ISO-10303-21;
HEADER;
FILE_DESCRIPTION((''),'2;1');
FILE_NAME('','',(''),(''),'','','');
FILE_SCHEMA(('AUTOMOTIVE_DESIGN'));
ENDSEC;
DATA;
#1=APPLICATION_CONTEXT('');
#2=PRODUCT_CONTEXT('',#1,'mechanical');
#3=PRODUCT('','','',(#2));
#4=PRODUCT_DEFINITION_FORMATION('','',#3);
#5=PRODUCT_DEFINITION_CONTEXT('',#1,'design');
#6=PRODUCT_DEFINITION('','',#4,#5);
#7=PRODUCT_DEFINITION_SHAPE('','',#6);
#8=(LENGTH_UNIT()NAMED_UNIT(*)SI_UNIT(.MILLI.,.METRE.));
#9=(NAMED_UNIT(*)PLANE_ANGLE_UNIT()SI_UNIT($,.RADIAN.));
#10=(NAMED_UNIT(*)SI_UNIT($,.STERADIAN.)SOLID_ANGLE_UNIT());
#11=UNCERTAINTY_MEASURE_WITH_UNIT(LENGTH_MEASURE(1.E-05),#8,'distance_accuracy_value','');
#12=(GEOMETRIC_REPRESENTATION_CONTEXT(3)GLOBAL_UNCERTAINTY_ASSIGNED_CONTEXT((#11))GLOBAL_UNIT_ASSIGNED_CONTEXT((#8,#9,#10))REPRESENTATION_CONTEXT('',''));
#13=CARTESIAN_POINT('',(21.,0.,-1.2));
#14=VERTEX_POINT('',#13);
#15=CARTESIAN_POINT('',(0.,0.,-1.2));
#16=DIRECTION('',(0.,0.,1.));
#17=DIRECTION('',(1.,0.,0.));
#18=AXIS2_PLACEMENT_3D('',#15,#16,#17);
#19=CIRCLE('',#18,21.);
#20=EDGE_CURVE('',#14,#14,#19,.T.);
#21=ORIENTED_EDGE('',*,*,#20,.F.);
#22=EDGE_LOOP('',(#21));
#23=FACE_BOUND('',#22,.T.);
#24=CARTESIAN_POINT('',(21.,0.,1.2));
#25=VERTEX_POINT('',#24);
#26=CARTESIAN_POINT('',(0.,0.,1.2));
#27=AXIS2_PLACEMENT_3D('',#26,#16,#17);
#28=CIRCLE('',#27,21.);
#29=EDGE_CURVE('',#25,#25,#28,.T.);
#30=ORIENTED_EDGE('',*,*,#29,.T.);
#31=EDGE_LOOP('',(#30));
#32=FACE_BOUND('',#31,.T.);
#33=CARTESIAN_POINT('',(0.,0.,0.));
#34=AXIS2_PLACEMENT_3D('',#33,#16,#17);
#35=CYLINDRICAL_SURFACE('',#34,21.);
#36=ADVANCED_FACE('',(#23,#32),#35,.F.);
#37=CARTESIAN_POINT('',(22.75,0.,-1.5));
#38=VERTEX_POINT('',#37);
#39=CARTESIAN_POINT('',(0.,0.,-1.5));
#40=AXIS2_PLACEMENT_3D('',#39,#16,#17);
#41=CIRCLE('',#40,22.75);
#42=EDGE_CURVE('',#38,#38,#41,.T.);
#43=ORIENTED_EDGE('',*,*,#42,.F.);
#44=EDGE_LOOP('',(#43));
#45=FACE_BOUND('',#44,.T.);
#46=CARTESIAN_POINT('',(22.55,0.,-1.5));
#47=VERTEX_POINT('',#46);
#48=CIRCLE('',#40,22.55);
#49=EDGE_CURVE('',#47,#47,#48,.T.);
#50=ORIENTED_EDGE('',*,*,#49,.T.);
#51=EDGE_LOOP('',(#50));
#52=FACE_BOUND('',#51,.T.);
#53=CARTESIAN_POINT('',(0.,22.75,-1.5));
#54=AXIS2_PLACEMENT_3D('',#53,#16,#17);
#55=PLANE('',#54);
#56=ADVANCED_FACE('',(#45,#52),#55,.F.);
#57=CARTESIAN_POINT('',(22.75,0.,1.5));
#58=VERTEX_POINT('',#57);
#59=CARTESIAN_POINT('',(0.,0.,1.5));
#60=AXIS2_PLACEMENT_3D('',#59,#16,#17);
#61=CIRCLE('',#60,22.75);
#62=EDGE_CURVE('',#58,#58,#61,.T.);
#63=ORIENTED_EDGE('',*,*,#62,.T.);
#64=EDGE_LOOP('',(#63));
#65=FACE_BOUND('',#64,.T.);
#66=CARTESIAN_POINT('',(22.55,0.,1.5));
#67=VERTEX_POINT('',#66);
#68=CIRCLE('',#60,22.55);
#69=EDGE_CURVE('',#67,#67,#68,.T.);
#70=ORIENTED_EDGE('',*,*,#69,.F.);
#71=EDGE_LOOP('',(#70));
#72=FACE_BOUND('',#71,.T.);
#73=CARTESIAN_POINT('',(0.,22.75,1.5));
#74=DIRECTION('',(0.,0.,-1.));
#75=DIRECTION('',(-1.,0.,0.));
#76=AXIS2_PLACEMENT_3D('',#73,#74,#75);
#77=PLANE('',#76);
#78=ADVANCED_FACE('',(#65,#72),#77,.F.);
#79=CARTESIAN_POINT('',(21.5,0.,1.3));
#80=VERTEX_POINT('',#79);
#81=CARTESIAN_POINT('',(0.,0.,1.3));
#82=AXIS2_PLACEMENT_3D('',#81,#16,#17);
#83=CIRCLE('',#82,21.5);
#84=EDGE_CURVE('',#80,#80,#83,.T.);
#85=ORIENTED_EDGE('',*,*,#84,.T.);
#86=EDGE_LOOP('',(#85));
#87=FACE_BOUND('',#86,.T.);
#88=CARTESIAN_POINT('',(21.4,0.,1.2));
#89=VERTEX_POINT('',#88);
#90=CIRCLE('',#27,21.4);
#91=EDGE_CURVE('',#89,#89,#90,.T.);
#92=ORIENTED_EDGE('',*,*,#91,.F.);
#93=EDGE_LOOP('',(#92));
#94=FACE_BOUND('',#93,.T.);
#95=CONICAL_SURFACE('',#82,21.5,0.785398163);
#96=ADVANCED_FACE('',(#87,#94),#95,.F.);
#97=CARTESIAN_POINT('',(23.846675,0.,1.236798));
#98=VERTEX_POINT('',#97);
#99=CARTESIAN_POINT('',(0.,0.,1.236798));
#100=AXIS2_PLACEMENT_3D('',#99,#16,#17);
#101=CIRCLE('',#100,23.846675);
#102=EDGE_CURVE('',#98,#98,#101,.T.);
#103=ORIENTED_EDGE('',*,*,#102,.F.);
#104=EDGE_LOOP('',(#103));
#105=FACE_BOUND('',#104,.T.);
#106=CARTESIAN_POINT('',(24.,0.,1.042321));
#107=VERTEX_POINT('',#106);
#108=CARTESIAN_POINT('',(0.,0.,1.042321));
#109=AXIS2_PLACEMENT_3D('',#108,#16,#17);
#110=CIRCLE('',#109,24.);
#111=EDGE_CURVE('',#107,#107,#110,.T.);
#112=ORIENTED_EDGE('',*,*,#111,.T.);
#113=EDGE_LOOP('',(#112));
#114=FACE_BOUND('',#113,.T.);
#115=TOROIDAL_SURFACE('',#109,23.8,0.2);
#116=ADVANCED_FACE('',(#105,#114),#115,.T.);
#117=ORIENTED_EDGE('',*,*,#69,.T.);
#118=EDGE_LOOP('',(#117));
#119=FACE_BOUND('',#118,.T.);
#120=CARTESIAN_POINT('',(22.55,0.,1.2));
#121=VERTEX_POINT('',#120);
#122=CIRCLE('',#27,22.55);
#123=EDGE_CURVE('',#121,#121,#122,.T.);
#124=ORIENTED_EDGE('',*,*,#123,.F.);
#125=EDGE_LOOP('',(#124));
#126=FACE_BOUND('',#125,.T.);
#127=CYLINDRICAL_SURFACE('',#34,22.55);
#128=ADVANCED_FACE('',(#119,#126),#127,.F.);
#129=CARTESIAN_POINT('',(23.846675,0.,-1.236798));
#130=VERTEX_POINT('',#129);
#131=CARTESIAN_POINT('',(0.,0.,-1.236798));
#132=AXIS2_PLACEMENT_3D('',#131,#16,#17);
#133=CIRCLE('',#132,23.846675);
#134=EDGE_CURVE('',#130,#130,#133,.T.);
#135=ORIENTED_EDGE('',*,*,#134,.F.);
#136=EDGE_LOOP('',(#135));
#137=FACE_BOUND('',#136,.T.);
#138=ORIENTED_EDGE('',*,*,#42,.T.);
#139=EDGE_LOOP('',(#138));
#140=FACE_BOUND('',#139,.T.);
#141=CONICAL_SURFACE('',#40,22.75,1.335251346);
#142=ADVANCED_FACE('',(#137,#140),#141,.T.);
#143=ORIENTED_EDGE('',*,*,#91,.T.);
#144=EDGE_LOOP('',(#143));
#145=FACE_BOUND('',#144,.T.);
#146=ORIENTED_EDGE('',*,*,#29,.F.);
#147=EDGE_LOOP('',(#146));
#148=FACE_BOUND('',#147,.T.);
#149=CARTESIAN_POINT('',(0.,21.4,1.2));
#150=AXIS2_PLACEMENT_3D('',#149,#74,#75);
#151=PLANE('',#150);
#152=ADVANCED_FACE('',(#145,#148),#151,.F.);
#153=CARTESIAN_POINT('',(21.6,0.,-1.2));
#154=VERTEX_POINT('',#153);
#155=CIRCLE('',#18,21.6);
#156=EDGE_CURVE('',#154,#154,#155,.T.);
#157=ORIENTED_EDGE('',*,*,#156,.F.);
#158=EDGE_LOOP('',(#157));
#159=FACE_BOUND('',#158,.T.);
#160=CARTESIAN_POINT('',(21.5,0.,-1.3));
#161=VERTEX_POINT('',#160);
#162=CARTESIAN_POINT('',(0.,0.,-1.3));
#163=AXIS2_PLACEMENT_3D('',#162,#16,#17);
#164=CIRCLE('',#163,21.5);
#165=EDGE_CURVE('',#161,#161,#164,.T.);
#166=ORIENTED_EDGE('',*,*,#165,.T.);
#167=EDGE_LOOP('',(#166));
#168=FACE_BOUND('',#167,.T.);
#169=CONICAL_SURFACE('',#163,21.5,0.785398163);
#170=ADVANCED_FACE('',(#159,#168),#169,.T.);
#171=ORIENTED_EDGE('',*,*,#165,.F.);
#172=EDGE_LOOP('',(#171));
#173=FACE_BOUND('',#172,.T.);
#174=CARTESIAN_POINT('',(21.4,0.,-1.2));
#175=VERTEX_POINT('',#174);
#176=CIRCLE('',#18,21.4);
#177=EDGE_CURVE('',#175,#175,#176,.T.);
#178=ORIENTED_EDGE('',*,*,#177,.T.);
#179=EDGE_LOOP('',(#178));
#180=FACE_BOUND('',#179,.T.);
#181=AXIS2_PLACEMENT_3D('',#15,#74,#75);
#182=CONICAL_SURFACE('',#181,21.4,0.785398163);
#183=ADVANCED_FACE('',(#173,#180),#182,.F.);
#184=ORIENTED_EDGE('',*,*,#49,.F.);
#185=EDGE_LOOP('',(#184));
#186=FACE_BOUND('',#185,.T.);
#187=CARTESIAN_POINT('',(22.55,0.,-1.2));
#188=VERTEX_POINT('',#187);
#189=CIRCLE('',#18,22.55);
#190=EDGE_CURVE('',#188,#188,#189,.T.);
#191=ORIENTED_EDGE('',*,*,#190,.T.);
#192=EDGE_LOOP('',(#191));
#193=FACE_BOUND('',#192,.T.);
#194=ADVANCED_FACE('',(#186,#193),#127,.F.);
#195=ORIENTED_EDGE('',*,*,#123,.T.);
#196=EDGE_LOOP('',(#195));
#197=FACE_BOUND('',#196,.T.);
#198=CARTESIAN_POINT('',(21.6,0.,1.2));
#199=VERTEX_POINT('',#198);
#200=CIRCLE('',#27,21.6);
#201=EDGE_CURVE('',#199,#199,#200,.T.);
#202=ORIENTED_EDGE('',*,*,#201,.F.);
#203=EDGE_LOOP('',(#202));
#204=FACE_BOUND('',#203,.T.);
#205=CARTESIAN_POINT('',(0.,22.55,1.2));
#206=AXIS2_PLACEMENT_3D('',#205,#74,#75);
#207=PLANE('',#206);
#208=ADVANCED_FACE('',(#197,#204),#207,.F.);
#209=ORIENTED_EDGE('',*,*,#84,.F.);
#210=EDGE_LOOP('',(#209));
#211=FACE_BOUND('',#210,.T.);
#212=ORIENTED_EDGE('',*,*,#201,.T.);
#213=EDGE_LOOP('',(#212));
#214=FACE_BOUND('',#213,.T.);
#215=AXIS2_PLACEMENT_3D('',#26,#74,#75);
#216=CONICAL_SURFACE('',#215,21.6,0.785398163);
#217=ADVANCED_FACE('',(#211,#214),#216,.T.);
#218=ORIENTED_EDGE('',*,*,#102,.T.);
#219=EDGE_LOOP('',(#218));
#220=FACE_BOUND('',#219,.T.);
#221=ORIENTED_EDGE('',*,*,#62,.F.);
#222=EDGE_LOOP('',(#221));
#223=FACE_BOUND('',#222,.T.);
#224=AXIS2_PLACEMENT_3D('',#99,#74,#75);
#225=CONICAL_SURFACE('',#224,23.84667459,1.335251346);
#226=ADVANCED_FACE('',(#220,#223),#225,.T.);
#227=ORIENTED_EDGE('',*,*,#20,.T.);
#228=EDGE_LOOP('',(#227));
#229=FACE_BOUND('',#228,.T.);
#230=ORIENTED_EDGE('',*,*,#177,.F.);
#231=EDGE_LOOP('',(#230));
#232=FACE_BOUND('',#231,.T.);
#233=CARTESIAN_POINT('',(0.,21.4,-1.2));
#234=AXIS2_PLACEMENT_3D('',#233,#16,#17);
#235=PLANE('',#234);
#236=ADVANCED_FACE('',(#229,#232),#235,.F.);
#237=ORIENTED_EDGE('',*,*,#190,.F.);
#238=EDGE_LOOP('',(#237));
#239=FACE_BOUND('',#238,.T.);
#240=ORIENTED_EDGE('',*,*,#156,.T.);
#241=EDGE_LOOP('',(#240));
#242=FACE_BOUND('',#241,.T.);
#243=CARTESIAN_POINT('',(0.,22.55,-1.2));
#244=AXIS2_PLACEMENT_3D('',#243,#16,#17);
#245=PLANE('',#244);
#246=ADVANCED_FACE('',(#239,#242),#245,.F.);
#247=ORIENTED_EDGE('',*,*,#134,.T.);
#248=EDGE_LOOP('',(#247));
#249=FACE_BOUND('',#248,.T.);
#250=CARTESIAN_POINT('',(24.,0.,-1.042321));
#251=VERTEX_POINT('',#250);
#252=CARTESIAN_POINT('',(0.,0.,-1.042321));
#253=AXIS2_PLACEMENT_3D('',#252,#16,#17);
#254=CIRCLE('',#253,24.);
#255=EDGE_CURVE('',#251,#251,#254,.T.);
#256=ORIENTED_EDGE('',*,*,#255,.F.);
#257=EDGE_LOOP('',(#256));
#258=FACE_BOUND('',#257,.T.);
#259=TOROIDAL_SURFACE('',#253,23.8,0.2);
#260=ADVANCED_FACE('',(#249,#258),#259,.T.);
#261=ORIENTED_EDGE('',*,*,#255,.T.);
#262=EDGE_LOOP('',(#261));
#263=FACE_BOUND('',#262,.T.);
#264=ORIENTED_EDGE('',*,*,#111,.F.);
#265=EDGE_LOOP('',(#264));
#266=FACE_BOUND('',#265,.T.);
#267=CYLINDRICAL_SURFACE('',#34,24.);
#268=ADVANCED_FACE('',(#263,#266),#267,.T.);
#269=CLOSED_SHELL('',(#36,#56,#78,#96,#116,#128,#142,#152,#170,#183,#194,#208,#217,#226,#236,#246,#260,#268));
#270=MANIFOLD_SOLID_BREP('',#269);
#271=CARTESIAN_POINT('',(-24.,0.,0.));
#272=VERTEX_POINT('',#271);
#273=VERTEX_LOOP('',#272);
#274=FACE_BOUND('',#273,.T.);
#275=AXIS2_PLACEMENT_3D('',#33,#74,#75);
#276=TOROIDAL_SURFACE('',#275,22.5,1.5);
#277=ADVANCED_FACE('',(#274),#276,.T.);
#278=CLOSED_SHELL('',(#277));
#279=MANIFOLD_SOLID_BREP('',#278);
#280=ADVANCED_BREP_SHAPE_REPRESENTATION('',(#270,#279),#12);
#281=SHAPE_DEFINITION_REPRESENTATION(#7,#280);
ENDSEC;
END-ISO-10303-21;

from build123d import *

# Parameters (mm, degrees)
SKETCH1_R = 1.5


with BuildPart() as part:
    # Sketch1 → Revolve1 (revolve)
    with BuildSketch(Plane(origin=(0, 0, 0), x_dir=(0, 0, -1), z_dir=(1, 0, 0)), mode=Mode.PRIVATE) as revolve1_sk:
        with Locations((0, 22.5)):
            Circle(SKETCH1_R)
    revolve(revolve1_sk.sketch.rotate(Axis((0, 0, 0), (0, 0, 1)), 90), axis=Axis((0, 0, 0), (0, 0, 1)))


with BuildPart() as body_2:
    # Sketch2 → SEAL RING Revolve2 (revolve)
    with BuildSketch(Plane(origin=(0, 0, 0), x_dir=(0, 0, -1), z_dir=(1, 0, 0)), mode=Mode.PRIVATE) as seal_ring_revolve2_sk:
        with BuildLine():
            Line((-1.042320638, 24), (1.042320638, 24))
            ThreePointArc((1.042320638, 24), (1.166145276, 23.957058776), (1.236798098, 23.84667459))
            Line((1.236798098, 23.84667459), (1.5, 22.75))
            Line((1.5, 22.75), (1.5, 22.55))
            Line((1.5, 22.55), (1.2, 22.55))
            Line((1.2, 22.55), (1.2, 21.6))
            Line((1.2, 21.6), (1.3, 21.5))
            Line((1.3, 21.5), (1.2, 21.4))
            Line((1.2, 21.4), (1.2, 21))
            Line((1.2, 21), (-1.2, 21))
            Line((-1.2, 21), (-1.2, 21.4))
            Line((-1.2, 21.4), (-1.3, 21.5))
            Line((-1.3, 21.5), (-1.2, 21.6))
            Line((-1.2, 21.6), (-1.2, 22.55))
            Line((-1.2, 22.55), (-1.5, 22.55))
            Line((-1.5, 22.55), (-1.5, 22.75))
            Line((-1.5, 22.75), (-1.236798098, 23.84667459))
            ThreePointArc((-1.236798098, 23.84667459), (-1.166145276, 23.957058776), (-1.042320638, 24))
        make_face()
    revolve(seal_ring_revolve2_sk.sketch.rotate(Axis((0, 0, 0), (0, 0, -1)), 90), axis=Axis((0, 0, 0), (0, 0, -1)))


solid = Compound([part.part, body_2.part])
